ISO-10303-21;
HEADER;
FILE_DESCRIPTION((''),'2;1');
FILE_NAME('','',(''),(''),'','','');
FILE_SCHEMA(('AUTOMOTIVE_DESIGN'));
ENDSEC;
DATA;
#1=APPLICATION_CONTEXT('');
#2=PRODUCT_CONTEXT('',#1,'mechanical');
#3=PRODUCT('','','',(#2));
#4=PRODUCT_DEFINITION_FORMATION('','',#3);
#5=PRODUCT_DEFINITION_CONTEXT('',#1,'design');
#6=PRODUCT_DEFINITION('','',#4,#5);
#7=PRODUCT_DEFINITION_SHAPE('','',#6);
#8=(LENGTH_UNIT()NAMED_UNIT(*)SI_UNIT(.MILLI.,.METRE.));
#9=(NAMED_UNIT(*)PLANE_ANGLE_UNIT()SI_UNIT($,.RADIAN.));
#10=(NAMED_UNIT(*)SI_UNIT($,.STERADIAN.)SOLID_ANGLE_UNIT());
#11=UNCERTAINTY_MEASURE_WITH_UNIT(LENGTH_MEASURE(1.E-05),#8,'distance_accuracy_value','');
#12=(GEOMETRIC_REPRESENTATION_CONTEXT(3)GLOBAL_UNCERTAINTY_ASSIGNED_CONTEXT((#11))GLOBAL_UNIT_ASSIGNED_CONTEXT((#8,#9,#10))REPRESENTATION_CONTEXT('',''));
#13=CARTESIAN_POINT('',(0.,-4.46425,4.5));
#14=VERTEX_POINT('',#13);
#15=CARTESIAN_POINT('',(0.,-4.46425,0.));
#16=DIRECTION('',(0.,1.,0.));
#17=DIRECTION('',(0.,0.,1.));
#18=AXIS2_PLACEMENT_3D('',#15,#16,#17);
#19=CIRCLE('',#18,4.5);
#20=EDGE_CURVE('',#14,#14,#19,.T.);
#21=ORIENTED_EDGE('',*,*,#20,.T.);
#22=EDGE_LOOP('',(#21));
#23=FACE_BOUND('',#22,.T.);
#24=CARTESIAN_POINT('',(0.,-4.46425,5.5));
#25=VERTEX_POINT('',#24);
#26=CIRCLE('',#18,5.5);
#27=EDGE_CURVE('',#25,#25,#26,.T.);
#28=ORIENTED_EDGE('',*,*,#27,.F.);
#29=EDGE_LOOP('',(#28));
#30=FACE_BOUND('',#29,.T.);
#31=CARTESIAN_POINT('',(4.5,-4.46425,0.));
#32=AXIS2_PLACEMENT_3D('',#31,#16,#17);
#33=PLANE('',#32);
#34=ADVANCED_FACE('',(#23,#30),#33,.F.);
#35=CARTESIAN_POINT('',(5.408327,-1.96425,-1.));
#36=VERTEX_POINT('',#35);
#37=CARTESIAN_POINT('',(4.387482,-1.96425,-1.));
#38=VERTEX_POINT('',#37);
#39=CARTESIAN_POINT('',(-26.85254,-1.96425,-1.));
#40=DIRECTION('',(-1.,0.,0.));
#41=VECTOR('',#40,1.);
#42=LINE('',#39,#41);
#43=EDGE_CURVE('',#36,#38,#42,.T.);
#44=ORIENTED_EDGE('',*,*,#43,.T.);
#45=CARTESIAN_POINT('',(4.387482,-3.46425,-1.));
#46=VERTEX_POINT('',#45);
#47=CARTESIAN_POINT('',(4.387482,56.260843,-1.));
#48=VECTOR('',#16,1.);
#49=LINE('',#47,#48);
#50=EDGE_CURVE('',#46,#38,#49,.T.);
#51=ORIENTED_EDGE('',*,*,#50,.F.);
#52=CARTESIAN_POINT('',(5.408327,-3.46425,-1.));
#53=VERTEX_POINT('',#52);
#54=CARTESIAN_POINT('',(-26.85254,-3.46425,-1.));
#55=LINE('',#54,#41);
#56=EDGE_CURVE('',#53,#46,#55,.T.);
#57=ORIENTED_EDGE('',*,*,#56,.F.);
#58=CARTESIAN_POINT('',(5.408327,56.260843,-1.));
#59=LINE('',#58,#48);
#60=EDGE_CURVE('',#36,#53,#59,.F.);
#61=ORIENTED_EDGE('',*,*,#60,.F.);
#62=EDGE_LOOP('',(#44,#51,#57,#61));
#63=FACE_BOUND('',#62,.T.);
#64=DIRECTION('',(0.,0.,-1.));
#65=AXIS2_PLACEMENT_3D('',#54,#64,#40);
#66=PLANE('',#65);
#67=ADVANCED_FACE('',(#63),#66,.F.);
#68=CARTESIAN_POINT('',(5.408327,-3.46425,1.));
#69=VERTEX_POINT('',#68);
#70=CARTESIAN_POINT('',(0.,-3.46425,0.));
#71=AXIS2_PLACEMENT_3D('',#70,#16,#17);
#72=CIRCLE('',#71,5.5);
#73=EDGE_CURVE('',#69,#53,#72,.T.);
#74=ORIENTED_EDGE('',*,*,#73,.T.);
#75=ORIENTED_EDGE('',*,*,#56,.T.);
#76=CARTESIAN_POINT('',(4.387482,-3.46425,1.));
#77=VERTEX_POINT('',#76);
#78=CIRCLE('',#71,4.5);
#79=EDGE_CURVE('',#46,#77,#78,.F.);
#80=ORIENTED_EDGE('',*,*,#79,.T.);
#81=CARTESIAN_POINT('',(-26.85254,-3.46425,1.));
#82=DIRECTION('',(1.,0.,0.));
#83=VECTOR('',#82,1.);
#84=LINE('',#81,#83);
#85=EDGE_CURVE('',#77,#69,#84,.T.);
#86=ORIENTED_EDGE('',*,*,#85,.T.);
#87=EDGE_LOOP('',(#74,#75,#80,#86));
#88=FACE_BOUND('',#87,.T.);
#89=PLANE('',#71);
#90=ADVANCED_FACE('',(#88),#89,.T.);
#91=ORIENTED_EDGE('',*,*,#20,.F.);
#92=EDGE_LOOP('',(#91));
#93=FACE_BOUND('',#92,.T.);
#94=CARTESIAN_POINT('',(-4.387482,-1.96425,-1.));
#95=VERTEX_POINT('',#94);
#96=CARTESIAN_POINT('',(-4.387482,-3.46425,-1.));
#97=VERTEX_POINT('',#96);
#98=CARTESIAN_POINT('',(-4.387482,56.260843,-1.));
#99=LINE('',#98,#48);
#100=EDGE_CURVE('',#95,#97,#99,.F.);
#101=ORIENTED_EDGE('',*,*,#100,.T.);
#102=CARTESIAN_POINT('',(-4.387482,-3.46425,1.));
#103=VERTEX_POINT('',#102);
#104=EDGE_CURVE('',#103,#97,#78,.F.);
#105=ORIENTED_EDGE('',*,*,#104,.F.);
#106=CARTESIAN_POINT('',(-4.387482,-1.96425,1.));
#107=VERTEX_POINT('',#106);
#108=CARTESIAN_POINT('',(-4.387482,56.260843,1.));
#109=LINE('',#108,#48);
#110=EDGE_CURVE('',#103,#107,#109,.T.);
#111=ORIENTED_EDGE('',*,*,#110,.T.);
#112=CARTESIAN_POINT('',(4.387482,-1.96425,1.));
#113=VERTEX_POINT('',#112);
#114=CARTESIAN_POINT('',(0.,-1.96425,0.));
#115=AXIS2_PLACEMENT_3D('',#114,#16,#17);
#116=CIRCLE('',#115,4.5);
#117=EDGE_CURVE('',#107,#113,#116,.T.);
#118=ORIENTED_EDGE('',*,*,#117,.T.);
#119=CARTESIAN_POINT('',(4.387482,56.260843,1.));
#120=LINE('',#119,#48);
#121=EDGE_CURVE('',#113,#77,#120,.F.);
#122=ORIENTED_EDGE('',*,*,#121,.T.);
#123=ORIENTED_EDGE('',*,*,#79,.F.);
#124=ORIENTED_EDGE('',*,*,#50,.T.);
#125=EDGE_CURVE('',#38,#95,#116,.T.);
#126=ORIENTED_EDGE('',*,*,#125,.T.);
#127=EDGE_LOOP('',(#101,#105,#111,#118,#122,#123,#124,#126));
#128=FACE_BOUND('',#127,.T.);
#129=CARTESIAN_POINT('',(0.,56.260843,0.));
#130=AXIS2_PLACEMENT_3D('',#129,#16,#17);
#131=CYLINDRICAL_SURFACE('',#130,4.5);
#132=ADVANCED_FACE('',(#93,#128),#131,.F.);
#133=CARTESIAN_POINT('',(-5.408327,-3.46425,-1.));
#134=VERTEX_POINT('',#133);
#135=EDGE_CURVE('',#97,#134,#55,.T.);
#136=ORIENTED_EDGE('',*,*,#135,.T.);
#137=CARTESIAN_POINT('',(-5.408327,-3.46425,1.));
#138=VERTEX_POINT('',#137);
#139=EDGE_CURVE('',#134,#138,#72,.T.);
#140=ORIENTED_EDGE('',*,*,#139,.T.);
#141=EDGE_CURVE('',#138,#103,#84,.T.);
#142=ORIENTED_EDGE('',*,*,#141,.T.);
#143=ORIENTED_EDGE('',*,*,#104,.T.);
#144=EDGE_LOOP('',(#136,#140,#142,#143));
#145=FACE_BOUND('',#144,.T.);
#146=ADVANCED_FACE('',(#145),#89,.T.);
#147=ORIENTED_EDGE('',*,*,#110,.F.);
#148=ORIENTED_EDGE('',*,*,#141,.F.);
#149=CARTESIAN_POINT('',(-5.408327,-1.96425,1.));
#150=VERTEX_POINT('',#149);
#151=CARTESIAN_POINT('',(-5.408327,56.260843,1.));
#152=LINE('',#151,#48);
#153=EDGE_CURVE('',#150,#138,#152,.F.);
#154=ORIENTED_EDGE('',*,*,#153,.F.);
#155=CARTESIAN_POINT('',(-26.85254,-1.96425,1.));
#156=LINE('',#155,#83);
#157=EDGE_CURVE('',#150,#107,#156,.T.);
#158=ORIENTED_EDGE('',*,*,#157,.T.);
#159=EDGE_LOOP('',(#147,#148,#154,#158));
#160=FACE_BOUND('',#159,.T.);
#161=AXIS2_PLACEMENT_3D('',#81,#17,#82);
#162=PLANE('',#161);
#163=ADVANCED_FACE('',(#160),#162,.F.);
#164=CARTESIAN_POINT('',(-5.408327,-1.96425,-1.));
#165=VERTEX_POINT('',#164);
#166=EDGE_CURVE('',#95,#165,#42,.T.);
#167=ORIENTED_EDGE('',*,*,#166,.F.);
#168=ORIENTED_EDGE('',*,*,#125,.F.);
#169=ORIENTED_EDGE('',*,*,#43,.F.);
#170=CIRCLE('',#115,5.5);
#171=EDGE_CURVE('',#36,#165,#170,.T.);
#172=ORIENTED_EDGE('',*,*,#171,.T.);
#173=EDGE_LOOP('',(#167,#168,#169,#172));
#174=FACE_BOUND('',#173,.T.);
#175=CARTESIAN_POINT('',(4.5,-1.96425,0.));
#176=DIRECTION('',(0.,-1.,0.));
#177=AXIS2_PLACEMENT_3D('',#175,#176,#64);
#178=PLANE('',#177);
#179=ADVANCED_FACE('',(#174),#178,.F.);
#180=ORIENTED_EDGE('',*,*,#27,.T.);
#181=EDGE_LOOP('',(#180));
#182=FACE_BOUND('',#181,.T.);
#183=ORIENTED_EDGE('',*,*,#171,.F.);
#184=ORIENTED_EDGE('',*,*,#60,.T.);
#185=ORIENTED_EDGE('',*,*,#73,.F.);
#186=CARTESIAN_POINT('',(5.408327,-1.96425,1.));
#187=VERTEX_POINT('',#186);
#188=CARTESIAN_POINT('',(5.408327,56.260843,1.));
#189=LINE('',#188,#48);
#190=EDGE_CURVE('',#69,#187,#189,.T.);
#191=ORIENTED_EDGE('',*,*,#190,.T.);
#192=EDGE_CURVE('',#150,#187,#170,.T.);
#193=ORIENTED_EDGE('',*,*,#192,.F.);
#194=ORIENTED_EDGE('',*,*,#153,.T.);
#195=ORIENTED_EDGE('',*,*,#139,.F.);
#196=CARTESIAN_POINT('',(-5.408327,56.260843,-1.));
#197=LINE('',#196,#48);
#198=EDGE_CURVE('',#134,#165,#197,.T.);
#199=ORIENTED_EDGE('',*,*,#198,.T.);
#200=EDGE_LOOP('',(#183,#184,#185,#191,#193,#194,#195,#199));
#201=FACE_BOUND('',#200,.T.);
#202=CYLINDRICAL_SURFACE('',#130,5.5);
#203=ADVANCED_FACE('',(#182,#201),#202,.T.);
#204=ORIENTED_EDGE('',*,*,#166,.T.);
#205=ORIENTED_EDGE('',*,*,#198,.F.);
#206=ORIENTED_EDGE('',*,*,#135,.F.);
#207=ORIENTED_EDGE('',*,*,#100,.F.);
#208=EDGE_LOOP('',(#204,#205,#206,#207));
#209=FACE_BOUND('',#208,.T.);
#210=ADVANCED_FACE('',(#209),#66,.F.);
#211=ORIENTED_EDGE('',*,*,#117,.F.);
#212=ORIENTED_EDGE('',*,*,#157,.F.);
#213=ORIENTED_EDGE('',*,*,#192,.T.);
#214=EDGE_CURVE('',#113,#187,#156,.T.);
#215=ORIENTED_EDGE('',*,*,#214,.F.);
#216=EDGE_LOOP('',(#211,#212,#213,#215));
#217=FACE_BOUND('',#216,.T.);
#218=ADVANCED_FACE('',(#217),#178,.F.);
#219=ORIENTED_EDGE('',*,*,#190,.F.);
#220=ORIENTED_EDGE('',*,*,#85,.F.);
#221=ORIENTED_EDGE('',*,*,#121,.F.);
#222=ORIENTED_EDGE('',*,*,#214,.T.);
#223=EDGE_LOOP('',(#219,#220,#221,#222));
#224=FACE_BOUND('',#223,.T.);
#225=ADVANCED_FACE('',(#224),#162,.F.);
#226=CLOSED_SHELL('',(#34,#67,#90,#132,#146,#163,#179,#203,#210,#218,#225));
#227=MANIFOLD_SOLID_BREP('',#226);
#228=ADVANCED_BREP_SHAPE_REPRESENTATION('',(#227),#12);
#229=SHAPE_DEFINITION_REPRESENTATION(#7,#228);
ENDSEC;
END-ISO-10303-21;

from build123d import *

# Parameters (mm, degrees)
SKETCH_1_W          = 1
SKETCH_1_H          = 2.5
SKETCH_2_W          = 53.705080546
SKETCH_2_H          = 2
CUT_EXTRUDE_1_DEPTH = 1.5


with BuildPart() as part:
    # 草图1 → 旋转1 (revolve)
    with BuildSketch(Plane.XY, mode=Mode.PRIVATE) as revolve_1_sk:
        with Locations((5, -3.214249787)):
            Rectangle(SKETCH_1_W, SKETCH_1_H)
    revolve(revolve_1_sk.sketch.rotate(Axis((0, 56.260842627, 0), (0, -1, 0)), 90), axis=Axis((0, 56.260842627, 0), (0, -1, 0)))  # turned: the seam where the file's is

    # 草图2 → 切除-拉伸1 (cut)
    with BuildSketch(Plane(origin=(0, -1.964249787, 0), x_dir=(1, 0, 0), z_dir=(0, 1, 0))):
        Rectangle(SKETCH_2_W, SKETCH_2_H)
    extrude(amount=-CUT_EXTRUDE_1_DEPTH, mode=Mode.SUBTRACT)


solid = part.part
